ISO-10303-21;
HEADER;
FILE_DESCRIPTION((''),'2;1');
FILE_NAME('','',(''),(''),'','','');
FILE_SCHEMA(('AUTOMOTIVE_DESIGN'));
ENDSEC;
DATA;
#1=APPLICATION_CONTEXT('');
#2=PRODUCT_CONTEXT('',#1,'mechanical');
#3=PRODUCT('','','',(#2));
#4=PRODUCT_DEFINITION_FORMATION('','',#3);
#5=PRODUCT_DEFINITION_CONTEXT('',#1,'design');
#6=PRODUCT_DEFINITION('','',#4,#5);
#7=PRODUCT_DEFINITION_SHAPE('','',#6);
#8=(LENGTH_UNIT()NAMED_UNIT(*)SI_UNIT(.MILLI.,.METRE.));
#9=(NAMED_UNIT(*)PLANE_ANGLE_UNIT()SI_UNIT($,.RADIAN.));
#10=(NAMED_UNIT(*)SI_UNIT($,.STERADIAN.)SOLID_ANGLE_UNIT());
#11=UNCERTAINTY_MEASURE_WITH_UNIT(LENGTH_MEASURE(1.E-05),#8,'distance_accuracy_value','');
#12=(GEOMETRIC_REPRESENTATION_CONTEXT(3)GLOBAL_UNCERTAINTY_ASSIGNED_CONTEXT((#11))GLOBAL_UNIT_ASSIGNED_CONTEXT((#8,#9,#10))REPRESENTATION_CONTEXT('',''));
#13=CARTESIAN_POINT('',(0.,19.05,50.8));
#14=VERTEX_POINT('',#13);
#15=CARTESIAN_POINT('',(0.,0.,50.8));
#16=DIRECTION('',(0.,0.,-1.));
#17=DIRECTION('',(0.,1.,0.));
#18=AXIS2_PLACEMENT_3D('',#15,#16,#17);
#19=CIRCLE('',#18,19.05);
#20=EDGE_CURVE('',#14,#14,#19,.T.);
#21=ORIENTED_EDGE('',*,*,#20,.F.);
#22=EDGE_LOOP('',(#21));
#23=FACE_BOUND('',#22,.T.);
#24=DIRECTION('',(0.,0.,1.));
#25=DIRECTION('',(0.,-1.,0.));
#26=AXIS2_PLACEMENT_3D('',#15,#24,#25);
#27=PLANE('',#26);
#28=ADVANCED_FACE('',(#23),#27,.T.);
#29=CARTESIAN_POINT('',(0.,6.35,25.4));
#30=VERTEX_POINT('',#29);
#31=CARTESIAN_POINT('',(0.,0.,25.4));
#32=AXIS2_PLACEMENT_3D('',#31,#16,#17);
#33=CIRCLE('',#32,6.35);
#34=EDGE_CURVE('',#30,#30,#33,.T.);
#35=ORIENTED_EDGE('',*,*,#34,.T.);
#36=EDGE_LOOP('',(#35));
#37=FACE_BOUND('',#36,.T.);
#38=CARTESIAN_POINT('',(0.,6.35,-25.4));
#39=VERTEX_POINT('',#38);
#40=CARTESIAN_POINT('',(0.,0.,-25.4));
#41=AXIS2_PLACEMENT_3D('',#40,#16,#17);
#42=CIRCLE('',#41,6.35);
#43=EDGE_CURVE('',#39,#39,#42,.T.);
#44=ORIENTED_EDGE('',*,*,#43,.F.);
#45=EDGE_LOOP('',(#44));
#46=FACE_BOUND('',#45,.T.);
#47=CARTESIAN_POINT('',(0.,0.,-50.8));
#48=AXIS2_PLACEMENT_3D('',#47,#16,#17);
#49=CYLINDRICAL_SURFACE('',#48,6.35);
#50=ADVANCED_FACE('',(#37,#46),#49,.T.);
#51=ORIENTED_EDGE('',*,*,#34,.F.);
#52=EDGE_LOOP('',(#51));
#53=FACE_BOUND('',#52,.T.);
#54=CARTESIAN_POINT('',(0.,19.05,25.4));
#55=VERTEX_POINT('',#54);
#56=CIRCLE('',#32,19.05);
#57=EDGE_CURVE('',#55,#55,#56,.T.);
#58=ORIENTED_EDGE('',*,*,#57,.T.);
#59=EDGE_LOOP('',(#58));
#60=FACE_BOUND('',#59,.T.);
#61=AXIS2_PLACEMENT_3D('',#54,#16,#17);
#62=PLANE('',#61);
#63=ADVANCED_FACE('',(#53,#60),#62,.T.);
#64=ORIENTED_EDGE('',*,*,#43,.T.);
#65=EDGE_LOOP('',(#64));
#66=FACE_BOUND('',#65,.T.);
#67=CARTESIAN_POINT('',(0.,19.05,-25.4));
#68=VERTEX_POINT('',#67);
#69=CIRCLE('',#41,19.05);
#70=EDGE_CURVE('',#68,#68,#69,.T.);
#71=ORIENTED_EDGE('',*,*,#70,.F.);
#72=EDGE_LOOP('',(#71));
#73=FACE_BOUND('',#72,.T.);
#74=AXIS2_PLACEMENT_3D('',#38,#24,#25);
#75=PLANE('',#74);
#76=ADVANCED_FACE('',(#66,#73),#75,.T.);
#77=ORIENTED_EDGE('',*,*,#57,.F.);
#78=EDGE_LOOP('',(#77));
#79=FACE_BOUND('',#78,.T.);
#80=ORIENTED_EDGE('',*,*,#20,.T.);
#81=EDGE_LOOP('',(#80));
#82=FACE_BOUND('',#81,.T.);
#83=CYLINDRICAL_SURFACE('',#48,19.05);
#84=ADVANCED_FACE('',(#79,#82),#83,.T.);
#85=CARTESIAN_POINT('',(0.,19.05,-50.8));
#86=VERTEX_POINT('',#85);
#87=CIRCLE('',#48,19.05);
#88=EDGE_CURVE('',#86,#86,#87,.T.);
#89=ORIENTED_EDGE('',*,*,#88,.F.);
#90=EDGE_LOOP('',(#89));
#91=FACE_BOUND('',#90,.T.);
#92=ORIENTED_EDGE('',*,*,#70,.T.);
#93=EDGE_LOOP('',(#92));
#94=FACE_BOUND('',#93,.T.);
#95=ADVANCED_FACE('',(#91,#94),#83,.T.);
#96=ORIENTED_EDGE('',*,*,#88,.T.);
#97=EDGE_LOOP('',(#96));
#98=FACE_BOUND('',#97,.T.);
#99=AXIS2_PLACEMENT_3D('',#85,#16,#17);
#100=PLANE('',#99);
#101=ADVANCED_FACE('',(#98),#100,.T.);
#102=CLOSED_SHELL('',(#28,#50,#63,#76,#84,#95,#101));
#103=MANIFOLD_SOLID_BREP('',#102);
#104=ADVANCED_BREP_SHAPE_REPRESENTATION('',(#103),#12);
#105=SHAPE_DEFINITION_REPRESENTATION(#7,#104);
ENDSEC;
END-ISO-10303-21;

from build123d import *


with BuildPart() as part:
    # Sketch1 → Revolve1 (revolve)
    with BuildSketch(Plane(origin=(0, 0, 0), x_dir=(0, 0, -1), z_dir=(1, 0, 0))):
        Polygon((50.8, 0), (-50.8, 0), (-50.8, 19.05), (-25.4, 19.05), (-25.4, 6.35), (25.4, 6.35), (25.4, 19.05), (50.8, 19.05), align=None)
    revolve(axis=Axis((0, 0, -50.8), (0, 0, 1)))


solid = part.part
